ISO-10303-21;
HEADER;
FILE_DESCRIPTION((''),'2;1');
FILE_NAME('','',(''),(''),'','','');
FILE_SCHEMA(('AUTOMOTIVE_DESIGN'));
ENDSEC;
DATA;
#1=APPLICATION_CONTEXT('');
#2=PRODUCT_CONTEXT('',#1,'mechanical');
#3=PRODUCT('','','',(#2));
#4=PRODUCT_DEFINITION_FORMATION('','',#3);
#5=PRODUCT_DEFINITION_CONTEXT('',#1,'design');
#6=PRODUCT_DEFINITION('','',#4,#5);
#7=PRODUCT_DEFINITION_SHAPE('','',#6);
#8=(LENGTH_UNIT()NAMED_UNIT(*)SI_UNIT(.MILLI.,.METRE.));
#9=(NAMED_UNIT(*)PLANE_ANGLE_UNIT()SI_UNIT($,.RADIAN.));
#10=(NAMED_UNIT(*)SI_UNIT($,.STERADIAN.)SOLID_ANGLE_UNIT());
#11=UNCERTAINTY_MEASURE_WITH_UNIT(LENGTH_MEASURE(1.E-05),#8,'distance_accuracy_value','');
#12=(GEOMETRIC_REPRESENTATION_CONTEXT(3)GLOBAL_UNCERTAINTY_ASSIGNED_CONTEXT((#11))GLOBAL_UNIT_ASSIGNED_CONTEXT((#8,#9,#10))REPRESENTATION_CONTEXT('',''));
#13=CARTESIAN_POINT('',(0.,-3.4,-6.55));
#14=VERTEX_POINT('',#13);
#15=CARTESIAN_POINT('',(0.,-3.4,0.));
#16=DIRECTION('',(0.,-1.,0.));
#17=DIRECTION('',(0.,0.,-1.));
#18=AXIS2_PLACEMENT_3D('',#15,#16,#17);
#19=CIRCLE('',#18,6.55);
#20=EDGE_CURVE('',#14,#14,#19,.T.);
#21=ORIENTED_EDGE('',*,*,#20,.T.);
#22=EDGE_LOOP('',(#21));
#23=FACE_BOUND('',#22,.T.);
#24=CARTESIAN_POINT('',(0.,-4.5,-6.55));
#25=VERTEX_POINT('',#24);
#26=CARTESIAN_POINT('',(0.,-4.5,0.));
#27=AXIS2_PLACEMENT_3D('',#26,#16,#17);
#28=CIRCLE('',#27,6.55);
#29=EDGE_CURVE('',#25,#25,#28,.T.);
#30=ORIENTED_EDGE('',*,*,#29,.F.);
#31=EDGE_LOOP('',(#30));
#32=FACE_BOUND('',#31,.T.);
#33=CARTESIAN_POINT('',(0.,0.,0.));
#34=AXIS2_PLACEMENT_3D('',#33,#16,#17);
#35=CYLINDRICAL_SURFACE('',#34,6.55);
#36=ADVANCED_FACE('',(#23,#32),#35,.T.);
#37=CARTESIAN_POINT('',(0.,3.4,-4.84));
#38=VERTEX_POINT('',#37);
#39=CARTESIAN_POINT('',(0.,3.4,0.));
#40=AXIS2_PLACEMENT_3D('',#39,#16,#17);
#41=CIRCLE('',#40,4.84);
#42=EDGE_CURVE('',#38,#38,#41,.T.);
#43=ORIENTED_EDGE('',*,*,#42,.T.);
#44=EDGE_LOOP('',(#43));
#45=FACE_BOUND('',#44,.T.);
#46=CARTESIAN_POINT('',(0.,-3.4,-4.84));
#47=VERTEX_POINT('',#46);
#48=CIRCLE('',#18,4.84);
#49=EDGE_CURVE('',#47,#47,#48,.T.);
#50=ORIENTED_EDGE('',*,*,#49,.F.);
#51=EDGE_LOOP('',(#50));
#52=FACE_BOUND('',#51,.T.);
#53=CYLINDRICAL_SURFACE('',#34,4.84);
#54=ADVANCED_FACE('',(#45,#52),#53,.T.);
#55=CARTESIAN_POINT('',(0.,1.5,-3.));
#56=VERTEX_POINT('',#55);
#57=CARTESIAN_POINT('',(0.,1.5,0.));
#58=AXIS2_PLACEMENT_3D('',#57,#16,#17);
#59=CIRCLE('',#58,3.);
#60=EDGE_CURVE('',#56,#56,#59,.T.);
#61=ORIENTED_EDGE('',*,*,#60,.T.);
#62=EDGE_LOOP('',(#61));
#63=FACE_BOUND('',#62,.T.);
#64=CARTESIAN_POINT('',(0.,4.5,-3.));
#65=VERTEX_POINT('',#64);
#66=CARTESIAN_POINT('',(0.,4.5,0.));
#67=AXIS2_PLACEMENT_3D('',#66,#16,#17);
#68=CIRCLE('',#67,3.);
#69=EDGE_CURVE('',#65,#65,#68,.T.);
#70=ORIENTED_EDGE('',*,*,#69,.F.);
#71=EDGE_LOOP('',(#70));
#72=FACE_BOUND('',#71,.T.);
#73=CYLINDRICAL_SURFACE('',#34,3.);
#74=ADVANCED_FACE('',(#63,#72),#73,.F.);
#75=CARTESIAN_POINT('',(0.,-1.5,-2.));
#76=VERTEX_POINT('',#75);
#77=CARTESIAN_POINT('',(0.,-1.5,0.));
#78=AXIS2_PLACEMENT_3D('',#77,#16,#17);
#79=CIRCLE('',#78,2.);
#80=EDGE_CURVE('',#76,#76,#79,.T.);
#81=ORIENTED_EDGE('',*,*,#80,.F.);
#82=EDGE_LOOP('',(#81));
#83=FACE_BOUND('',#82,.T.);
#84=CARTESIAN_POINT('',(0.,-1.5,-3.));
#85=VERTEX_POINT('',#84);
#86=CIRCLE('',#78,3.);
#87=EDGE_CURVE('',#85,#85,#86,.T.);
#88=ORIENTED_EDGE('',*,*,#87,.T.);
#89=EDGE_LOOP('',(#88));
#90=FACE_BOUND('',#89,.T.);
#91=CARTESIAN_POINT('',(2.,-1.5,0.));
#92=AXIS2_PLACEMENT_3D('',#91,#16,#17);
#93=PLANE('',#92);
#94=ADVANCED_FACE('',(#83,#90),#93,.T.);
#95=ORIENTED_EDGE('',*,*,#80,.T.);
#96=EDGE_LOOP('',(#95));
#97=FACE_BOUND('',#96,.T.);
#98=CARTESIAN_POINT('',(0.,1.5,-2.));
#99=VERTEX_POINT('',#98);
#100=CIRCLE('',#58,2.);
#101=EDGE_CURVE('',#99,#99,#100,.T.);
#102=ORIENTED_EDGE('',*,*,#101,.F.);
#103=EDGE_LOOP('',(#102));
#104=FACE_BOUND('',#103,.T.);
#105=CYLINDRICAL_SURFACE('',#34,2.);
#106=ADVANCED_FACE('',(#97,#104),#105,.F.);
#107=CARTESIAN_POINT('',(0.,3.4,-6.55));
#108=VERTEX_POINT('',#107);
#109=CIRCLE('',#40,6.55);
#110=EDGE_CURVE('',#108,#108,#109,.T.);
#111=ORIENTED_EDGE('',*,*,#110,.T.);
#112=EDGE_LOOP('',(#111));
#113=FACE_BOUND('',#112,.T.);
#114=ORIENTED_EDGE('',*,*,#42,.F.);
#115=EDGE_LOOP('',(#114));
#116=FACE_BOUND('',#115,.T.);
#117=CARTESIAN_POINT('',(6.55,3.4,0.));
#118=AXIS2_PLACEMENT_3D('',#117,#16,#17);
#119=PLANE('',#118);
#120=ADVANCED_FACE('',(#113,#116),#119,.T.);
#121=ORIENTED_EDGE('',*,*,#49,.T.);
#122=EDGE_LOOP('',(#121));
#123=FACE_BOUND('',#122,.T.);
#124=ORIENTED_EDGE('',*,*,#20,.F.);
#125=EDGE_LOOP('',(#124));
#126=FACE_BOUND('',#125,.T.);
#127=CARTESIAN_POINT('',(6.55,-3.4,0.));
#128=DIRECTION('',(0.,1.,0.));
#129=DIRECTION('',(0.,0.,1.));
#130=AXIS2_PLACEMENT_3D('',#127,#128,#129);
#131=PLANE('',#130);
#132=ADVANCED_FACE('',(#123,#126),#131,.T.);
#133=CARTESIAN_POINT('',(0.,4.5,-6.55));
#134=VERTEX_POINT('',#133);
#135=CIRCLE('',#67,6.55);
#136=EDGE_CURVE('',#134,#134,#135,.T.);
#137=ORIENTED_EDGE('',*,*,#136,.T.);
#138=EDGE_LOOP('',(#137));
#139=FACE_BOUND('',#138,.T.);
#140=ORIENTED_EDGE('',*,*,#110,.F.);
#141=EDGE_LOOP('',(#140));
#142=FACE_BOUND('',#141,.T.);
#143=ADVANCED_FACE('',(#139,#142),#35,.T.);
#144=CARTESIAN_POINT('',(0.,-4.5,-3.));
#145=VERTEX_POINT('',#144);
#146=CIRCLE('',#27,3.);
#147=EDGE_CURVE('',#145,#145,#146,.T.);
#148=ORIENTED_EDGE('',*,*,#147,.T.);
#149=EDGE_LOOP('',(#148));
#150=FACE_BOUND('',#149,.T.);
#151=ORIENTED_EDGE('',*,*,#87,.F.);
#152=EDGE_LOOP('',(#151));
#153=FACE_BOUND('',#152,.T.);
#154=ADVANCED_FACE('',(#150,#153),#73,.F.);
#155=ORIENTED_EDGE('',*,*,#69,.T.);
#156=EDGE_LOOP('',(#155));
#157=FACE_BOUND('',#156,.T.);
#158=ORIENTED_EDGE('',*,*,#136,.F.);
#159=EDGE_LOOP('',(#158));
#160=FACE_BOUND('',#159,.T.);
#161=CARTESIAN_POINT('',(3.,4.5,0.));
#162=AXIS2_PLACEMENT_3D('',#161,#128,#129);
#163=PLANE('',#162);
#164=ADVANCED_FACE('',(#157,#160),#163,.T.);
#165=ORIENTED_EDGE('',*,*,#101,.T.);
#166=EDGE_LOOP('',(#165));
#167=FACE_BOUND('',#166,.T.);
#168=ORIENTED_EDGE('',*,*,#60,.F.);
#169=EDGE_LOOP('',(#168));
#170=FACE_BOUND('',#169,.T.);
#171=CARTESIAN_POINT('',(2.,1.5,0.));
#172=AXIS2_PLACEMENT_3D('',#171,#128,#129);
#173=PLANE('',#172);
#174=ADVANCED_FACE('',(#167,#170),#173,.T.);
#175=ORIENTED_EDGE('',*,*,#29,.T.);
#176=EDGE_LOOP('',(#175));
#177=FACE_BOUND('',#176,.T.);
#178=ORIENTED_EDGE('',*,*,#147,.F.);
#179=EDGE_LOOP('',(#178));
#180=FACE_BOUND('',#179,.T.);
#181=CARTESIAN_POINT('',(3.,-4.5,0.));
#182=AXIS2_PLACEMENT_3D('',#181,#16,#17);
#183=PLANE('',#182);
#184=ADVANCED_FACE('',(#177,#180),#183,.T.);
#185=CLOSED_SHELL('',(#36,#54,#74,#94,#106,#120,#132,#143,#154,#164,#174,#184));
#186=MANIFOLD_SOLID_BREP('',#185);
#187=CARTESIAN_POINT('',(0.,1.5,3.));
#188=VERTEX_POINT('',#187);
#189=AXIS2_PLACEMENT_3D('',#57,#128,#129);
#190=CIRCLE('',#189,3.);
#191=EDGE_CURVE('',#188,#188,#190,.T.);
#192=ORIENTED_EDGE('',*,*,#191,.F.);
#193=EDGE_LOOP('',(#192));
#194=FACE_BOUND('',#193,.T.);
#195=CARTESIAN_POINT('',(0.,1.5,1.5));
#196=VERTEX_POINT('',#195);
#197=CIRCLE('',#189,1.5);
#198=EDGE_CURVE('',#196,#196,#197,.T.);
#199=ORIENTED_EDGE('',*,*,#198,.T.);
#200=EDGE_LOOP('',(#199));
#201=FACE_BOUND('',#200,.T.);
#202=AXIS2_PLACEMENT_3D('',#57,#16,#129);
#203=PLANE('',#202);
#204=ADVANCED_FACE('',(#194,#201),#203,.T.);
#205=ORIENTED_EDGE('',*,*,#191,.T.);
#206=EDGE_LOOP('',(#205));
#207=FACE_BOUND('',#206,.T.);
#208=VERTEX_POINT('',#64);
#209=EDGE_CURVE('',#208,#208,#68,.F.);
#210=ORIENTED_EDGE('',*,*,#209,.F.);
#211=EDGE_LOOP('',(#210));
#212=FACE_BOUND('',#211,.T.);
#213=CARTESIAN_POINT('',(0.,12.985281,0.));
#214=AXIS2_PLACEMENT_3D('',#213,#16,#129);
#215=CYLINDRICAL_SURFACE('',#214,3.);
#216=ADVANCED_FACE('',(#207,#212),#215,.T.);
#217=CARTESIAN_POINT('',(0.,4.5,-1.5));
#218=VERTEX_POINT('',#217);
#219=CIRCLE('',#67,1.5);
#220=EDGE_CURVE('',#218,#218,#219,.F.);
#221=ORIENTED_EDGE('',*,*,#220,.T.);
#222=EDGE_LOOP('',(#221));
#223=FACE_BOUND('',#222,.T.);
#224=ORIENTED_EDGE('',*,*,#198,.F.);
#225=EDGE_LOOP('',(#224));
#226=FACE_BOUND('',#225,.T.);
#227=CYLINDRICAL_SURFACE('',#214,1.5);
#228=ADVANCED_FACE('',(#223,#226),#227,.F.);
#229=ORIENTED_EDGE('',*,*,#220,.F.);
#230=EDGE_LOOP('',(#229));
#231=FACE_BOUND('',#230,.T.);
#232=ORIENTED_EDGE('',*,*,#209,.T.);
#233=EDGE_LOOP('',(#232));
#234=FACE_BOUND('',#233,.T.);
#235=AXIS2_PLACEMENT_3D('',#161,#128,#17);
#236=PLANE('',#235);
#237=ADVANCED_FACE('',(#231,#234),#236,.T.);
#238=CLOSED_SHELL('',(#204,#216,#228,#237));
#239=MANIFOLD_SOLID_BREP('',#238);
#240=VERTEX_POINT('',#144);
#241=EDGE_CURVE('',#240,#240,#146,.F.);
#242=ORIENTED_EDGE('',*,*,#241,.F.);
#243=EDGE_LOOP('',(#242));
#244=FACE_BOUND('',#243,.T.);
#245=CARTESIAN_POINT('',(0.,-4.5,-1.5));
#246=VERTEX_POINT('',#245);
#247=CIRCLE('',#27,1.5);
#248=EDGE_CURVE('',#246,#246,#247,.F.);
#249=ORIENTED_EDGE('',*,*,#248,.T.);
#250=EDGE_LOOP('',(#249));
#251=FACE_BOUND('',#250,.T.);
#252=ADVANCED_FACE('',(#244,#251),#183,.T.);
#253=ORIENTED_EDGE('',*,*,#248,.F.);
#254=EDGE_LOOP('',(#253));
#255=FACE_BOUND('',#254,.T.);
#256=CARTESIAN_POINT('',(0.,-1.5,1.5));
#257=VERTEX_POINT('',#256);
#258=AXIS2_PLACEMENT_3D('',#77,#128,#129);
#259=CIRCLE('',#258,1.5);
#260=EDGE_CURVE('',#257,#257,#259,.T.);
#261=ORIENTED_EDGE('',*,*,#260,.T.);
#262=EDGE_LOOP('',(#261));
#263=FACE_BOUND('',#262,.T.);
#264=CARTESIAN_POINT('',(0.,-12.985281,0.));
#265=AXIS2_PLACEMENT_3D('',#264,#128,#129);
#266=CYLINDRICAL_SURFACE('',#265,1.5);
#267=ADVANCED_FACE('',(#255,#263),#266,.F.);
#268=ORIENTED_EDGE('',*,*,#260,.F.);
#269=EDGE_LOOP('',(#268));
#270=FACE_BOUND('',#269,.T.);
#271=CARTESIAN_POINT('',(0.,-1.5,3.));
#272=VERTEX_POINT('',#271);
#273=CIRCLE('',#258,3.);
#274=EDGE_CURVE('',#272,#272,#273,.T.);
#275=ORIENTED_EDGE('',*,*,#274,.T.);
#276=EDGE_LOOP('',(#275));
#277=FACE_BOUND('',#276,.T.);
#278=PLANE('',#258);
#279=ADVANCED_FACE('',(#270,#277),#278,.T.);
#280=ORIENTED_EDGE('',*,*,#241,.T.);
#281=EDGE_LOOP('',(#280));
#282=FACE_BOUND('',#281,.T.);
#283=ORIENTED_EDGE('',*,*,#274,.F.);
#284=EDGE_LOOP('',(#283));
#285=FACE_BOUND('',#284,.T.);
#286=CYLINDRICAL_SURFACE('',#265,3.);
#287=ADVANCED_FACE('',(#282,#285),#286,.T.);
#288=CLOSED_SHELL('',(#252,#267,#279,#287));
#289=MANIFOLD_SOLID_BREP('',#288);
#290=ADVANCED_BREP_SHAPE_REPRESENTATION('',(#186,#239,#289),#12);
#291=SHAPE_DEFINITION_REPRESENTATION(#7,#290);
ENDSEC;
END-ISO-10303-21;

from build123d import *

# Parameters (mm, degrees)
ESQUISSE3_R        = 3
ESQUISSE3_R_2      = 1.5
BOSS_EXTRU_1_DEPTH = 3


with BuildPart() as part:
    # Esquisse2 → Révolution1 (revolve)
    with BuildSketch(Plane.XY, mode=Mode.PRIVATE) as r_volution1_sk:
        Polygon((2, 1.5), (3, 1.5), (3, 4.5), (6.55, 4.5), (6.55, 3.4), (4.84, 3.4), (4.84, -3.4), (6.55, -3.4), (6.55, -4.5), (3, -4.5), (3, -1.5), (2, -1.5), align=None)
    revolve(r_volution1_sk.sketch.rotate(Axis((0, 0, 0), (0, 1, 0)), 90), axis=Axis((0, 0, 0), (0, 1, 0)))


with BuildPart() as body_2:
    # Esquisse3 → Boss.-Extru.1 (new body)
    with BuildSketch(Plane(origin=(0, -1.5, 0), x_dir=(1, 0, 0), z_dir=(0, 1, 0))):
        with Locations(Location((0, 0, 0), (0, 0, 270))):
            Circle(ESQUISSE3_R)
        with Locations(Location((0, 0, 0), (0, 0, 270))):
            Circle(ESQUISSE3_R_2, mode=Mode.SUBTRACT)
    extrude(amount=-BOSS_EXTRU_1_DEPTH)


with BuildPart() as body_3:
    # Symétrie8: mirrored copy
    add(body_2.part.mirror(Plane.ZX))


solid = Compound([part.part, body_2.part, body_3.part])
